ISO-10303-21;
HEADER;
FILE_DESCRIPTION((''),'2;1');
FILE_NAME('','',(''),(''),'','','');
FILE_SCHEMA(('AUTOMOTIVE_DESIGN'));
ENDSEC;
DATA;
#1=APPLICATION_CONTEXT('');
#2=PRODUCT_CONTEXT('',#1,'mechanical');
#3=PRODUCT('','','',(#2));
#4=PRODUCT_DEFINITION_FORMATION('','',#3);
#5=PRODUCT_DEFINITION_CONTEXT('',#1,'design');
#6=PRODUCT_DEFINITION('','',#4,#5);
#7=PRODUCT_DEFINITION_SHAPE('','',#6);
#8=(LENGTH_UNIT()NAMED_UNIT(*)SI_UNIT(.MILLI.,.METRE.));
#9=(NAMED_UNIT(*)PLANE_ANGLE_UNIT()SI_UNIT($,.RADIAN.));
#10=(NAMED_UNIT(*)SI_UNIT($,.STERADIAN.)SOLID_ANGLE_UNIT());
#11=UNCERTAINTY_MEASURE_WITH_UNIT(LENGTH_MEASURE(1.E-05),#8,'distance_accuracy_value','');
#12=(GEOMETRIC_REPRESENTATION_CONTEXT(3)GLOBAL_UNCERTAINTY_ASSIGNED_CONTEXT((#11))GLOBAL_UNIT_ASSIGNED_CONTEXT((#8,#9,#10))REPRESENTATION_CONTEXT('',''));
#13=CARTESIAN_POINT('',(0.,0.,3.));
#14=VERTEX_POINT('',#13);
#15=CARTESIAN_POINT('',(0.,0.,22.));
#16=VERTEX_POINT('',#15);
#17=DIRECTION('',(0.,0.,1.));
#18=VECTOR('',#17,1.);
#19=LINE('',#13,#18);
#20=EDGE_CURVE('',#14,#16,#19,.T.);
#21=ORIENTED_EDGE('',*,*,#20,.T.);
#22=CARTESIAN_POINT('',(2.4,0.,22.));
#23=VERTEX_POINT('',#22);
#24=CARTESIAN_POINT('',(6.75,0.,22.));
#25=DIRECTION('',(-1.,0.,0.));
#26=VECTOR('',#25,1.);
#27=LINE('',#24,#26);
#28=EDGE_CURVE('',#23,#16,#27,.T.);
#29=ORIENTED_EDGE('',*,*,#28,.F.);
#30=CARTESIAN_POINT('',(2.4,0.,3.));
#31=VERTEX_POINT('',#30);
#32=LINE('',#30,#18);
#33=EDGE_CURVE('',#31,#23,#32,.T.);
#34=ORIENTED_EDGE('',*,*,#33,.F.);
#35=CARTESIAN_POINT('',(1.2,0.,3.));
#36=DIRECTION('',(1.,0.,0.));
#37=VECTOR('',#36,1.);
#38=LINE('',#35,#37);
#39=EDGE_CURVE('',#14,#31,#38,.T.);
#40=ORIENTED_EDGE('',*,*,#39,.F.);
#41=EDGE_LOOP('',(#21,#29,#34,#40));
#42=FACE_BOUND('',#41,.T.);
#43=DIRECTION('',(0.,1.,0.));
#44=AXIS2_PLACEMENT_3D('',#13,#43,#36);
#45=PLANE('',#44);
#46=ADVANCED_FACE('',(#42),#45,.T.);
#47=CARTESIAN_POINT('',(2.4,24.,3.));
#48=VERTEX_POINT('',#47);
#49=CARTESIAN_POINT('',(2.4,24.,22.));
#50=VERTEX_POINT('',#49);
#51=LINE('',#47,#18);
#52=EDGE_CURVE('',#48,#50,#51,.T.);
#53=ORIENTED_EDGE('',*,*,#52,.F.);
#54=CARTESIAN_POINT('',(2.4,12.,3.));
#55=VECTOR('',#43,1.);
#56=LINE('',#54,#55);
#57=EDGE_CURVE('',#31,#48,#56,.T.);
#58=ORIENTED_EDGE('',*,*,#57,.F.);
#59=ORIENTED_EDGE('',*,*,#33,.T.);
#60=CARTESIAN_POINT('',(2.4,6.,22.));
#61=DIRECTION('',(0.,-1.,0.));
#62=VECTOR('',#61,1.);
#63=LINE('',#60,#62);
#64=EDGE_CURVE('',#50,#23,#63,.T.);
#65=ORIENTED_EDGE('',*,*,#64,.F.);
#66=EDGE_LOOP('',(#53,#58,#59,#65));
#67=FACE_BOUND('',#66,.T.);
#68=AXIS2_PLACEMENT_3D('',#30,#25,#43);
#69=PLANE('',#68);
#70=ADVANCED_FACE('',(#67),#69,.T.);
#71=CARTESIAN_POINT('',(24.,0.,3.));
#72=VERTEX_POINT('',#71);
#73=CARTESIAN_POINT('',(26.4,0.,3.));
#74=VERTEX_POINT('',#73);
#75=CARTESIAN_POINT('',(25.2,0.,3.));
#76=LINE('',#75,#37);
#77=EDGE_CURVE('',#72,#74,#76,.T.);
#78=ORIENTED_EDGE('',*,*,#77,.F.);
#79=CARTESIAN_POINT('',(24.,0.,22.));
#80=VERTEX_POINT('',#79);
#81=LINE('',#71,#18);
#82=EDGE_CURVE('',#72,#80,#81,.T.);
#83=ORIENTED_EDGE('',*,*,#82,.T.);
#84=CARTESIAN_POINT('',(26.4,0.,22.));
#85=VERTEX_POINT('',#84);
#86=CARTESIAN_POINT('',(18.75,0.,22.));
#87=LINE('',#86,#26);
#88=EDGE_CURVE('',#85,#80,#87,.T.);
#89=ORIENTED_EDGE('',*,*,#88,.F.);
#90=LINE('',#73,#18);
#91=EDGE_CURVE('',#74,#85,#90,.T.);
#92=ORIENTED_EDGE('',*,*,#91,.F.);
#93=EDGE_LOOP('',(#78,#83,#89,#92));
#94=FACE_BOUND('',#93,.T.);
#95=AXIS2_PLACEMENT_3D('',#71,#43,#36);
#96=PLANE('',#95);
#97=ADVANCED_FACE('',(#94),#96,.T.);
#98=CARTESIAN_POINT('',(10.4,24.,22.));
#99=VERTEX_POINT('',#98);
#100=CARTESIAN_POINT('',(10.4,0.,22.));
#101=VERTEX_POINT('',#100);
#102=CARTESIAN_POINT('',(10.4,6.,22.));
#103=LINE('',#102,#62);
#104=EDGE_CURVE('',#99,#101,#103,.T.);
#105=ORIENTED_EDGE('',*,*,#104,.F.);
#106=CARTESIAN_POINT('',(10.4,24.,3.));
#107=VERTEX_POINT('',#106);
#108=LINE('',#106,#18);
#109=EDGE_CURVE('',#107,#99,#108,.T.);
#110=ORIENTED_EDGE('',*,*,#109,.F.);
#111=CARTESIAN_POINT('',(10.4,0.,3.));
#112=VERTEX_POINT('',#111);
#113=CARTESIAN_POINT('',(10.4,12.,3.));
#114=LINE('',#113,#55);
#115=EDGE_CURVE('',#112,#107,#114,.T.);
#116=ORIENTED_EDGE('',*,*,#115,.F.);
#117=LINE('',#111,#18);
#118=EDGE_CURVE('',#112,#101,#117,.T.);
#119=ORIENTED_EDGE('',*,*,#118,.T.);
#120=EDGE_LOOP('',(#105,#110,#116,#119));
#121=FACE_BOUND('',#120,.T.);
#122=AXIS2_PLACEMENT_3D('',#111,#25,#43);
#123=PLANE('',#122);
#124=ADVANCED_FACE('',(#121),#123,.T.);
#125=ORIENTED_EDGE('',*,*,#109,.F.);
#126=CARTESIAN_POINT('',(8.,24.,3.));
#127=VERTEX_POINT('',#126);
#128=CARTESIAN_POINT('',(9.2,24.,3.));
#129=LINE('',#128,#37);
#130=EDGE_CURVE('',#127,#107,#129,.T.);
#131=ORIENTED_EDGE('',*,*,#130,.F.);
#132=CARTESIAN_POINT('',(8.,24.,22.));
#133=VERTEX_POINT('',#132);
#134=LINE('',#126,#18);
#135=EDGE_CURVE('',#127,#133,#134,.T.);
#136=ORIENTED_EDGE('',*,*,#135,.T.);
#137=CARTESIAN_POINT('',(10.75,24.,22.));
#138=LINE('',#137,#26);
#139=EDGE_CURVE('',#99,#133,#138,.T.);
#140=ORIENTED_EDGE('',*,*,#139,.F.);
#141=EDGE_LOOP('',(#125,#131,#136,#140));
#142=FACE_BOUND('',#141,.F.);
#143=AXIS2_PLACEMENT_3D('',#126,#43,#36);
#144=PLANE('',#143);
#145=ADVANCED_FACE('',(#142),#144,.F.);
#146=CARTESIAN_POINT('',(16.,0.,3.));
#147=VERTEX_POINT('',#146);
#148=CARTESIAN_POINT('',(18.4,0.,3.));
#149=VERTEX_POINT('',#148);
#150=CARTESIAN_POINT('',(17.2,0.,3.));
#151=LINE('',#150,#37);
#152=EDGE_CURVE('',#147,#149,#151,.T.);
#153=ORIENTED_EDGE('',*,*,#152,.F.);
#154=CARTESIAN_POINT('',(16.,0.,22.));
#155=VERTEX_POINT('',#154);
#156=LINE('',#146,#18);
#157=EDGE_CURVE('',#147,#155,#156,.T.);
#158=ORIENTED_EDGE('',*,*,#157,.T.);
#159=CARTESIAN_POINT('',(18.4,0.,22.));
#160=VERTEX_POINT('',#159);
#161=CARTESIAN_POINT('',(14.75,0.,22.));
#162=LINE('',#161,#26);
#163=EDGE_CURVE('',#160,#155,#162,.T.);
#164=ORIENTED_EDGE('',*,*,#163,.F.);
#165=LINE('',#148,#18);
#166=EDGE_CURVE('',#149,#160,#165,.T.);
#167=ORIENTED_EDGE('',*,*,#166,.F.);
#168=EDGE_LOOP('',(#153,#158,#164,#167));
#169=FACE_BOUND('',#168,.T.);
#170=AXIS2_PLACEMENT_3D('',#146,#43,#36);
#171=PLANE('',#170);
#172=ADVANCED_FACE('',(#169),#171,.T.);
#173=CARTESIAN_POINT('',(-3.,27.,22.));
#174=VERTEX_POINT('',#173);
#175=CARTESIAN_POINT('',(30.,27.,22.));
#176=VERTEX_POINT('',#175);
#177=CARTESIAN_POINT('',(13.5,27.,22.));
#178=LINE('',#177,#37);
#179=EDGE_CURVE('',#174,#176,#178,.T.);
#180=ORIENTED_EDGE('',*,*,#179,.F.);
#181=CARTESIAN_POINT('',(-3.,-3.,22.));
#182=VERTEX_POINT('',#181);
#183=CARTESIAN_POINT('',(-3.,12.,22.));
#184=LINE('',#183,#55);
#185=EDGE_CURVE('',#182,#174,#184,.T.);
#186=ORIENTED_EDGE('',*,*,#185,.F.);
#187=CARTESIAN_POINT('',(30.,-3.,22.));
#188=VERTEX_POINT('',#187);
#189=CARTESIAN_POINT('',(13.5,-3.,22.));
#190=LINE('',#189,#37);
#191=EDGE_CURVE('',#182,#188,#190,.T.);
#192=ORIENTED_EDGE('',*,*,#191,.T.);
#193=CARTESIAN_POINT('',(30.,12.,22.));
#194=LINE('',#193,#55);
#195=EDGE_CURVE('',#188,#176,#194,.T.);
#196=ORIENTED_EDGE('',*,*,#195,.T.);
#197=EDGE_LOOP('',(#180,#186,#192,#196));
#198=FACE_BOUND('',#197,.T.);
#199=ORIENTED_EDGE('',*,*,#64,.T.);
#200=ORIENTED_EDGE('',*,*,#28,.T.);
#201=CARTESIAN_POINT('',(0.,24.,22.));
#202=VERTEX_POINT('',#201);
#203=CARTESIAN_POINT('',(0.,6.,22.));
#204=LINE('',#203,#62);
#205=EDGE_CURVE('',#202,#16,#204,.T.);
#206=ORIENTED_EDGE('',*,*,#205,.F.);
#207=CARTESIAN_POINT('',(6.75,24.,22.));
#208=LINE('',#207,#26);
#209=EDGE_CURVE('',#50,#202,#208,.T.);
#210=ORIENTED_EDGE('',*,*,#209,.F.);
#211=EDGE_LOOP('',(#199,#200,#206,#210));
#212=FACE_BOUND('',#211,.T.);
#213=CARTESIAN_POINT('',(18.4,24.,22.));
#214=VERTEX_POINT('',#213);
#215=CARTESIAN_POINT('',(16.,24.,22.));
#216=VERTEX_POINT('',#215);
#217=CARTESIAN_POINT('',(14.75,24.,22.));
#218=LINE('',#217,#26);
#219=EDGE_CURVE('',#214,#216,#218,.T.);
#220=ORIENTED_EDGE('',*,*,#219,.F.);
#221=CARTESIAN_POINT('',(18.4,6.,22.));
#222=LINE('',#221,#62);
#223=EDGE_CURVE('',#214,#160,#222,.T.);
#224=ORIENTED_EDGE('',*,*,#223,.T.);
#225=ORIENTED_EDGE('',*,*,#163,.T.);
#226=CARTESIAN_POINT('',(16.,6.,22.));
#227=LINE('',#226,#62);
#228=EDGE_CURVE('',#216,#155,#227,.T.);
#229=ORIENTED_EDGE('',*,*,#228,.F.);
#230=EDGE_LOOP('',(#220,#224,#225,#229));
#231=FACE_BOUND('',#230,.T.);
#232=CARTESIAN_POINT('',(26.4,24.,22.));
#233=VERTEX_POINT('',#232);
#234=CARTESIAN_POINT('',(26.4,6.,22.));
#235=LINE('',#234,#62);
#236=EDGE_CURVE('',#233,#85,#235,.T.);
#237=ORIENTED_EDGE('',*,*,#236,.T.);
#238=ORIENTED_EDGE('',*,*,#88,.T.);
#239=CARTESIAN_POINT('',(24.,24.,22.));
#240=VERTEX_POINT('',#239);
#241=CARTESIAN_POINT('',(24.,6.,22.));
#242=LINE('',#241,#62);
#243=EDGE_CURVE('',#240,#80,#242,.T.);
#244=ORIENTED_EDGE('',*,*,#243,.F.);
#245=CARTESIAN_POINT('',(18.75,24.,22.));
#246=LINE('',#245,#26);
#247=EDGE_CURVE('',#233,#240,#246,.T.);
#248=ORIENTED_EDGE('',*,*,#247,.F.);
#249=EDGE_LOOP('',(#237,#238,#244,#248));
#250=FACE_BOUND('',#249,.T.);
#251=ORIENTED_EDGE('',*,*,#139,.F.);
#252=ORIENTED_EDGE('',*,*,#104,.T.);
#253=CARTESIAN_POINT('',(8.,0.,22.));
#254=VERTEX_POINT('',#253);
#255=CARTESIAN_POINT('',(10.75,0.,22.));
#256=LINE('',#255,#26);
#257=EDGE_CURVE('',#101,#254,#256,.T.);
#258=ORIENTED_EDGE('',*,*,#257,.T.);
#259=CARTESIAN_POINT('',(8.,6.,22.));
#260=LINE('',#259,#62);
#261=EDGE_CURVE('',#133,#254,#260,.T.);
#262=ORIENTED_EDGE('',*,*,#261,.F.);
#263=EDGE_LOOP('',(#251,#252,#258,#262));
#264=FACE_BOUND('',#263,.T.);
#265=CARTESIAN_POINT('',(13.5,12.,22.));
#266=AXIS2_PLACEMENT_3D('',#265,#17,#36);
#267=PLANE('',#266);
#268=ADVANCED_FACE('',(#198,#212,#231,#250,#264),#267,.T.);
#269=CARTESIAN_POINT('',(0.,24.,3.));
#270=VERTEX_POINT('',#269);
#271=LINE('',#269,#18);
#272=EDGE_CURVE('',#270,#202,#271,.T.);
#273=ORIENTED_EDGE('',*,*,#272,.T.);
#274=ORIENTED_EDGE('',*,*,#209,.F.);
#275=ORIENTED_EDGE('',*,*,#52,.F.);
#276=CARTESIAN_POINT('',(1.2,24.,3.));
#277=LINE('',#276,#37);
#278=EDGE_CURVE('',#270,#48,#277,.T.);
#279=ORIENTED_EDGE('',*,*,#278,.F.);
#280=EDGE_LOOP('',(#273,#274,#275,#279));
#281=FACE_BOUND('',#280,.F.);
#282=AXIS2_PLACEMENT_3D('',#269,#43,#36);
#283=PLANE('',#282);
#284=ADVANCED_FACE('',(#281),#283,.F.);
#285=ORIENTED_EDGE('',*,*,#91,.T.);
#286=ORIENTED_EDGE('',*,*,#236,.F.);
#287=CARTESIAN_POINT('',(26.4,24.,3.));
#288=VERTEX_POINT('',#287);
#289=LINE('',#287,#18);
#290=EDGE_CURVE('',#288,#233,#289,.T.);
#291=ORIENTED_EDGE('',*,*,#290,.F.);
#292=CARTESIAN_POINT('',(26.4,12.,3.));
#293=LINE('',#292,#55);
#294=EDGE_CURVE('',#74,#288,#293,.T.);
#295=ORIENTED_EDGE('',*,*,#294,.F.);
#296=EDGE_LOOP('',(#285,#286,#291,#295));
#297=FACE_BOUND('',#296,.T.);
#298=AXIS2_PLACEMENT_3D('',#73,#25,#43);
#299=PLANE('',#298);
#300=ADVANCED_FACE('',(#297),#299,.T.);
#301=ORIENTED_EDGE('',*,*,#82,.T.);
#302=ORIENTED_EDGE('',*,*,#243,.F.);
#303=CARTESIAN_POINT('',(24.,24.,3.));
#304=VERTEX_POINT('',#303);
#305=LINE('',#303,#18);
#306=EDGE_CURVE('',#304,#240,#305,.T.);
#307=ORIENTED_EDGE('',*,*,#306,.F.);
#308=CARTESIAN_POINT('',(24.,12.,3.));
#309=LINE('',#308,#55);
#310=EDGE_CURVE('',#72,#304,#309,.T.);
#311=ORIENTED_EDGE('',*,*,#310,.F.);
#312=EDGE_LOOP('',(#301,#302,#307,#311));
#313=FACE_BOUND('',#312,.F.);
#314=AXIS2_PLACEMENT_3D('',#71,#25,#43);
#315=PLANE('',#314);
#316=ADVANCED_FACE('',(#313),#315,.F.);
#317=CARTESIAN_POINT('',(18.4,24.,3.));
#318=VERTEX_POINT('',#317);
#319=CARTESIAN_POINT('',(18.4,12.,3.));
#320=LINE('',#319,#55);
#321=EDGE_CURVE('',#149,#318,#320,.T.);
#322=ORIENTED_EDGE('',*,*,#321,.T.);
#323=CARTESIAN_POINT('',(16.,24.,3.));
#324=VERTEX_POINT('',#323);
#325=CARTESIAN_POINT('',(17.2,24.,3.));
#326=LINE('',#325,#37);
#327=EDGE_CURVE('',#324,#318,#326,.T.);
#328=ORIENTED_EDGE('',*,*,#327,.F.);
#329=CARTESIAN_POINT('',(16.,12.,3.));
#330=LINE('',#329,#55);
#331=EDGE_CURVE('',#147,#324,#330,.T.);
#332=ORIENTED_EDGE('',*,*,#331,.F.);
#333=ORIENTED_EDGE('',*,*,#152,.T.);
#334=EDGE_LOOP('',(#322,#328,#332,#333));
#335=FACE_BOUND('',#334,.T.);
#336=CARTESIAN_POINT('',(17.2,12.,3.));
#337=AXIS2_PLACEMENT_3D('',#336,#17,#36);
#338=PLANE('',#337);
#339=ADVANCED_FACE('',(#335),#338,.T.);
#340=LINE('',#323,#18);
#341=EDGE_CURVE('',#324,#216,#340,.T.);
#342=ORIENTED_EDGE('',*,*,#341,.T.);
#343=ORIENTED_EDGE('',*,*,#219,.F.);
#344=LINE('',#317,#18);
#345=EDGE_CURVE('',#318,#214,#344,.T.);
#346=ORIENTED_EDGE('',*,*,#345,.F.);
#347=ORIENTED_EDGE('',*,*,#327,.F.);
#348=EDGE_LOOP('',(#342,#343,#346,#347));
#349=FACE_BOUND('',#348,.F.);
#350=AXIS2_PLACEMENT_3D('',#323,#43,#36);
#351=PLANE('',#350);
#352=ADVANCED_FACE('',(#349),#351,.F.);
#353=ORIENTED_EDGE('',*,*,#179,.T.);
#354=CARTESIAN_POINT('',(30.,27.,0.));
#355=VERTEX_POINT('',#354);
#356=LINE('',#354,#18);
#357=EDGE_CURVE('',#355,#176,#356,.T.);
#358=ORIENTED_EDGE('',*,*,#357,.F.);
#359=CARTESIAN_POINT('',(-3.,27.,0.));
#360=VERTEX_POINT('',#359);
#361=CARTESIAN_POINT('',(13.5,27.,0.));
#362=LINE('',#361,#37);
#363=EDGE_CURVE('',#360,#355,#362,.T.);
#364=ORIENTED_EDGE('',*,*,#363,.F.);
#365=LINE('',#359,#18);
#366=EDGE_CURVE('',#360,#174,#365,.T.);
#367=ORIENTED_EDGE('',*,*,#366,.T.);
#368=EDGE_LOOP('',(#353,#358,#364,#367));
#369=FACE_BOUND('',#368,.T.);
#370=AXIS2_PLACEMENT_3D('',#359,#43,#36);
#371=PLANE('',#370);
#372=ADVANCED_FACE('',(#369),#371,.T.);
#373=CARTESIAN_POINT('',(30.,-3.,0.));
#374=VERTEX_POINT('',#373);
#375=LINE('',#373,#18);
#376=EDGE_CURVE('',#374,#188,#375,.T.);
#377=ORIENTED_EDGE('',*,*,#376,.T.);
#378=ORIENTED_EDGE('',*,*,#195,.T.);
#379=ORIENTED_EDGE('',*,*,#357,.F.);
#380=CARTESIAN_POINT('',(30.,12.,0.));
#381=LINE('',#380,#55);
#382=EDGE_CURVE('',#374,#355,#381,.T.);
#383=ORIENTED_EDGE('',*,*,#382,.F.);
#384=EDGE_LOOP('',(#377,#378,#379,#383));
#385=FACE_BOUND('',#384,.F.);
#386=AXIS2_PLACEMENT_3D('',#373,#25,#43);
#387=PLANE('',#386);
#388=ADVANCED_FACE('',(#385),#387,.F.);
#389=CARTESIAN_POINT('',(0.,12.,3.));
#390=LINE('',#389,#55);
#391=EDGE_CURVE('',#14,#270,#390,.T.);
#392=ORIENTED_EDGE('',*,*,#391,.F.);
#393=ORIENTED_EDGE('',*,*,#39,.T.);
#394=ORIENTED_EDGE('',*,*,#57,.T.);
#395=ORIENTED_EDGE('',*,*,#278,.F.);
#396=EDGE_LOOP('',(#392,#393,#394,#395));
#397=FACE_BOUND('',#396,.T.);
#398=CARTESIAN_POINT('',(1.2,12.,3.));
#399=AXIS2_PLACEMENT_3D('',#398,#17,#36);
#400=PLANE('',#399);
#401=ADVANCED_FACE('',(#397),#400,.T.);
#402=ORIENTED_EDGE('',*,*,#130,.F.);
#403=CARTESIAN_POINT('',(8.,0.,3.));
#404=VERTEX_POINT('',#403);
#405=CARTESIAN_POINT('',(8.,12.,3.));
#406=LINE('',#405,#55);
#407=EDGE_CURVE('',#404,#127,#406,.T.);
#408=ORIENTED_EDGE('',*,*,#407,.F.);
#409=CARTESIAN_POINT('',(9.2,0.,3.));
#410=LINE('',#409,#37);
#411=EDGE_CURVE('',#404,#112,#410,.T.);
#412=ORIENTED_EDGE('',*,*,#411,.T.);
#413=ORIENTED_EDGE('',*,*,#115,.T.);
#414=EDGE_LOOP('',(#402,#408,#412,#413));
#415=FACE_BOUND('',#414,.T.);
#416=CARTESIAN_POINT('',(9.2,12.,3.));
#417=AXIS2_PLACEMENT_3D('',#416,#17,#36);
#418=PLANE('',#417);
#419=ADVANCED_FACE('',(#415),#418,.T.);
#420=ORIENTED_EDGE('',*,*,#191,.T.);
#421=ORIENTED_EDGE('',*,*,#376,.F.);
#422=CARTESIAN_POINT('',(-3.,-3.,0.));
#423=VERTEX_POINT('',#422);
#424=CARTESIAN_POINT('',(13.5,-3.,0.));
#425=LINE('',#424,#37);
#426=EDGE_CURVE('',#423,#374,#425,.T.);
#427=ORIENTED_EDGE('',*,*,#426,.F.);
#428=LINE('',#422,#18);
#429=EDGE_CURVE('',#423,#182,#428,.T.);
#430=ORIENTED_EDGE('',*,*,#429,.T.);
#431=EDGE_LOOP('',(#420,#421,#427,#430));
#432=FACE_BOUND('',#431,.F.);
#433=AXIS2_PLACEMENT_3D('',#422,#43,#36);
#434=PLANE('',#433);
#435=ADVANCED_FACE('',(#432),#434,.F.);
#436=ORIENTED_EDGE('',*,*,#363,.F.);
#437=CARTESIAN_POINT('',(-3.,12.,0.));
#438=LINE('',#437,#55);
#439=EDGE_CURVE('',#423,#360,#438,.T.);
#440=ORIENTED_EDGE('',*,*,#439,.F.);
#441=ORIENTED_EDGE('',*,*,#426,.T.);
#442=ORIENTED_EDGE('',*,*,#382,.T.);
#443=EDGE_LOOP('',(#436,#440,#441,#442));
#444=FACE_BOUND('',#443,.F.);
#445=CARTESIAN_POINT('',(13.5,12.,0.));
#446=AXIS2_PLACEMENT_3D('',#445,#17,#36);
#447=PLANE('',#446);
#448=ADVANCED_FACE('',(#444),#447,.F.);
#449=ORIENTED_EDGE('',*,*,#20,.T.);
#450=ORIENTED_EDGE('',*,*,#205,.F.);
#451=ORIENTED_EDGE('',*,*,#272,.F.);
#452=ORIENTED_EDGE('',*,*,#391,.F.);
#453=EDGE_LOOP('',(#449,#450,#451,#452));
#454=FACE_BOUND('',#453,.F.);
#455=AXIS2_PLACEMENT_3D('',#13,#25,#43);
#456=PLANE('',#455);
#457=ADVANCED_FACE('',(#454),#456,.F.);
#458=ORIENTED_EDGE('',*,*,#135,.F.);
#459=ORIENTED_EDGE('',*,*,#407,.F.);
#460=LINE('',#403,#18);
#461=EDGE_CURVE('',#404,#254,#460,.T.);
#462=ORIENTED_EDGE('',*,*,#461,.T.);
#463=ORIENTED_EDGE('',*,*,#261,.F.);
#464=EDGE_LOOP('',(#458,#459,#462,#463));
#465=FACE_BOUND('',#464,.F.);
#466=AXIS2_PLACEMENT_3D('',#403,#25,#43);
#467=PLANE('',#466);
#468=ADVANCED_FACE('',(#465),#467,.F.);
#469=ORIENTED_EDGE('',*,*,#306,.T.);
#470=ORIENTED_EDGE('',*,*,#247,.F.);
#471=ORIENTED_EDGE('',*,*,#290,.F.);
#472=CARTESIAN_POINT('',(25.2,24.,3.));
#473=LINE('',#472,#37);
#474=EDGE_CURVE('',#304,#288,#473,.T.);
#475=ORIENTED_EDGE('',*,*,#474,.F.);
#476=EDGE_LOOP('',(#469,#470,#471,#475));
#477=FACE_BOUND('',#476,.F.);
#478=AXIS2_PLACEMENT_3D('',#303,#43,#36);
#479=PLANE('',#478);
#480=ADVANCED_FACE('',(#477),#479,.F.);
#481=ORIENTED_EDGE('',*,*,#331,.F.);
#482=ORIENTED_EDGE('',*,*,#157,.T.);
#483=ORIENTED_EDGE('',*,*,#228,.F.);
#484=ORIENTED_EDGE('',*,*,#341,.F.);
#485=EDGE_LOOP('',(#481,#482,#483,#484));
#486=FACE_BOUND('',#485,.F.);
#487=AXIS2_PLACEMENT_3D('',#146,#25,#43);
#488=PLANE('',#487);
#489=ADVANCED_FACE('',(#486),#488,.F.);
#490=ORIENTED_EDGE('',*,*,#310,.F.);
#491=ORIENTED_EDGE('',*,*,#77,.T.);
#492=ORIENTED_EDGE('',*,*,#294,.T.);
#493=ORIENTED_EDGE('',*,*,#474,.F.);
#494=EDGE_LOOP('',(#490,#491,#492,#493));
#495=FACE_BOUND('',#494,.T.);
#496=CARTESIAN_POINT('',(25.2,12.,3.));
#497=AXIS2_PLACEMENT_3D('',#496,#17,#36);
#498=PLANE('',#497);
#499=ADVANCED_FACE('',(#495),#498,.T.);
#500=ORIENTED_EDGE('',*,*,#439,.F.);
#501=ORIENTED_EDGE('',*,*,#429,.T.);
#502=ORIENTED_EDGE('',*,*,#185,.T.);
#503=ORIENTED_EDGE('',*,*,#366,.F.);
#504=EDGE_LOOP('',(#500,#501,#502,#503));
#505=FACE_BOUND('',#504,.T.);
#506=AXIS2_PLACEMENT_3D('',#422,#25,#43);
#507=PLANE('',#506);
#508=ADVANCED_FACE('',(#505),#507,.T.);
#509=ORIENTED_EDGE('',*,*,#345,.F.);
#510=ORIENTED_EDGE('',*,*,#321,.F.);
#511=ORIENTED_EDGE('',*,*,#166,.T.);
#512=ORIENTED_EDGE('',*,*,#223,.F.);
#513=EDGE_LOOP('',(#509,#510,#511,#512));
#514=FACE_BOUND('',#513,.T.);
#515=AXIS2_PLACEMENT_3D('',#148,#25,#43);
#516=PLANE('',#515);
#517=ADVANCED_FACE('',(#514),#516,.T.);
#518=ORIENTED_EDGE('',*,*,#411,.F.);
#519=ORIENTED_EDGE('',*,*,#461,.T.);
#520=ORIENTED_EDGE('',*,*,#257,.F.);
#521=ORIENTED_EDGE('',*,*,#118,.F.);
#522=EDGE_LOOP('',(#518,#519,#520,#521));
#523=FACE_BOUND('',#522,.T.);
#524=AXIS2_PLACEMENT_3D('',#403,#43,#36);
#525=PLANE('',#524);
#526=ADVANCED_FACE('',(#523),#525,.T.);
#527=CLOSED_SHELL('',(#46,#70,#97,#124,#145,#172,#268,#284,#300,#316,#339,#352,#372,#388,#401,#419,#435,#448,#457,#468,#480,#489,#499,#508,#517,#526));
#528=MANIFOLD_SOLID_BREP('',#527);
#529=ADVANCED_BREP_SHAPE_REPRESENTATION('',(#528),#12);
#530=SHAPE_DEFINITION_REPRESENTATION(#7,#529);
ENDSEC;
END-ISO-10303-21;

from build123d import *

# Parameters (mm, degrees)
BOX001_W     = 2.4
BOX001_H     = 24
BOX001_DEPTH = 22
BOX002_W     = 2.4
BOX002_H     = 24
BOX002_DEPTH = 22
BOX003_W     = 2.4
BOX003_H     = 24
BOX003_DEPTH = 22
BOX_W        = 2.4
BOX_H        = 24
BOX_DEPTH    = 22
BOX004_W     = 33
BOX004_H     = 30
BOX004_DEPTH = 22


with BuildPart() as box001:
    # Box001 → Box001 (new body)
    with BuildSketch(Plane(origin=(8, 0, 0), x_dir=(1, 0, 0), z_dir=(0, 0, 1))):
        with Locations((1.2, 12)):
            Rectangle(BOX001_W, BOX001_H)
    extrude(amount=BOX001_DEPTH)


with BuildPart() as box002:
    # Box002 → Box002 (new body)
    with BuildSketch(Plane(origin=(16, 0, 0), x_dir=(1, 0, 0), z_dir=(0, 0, 1))):
        with Locations((1.2, 12)):
            Rectangle(BOX002_W, BOX002_H)
    extrude(amount=BOX002_DEPTH)


with BuildPart() as box003:
    # Box003 → Box003 (new body)
    with BuildSketch(Plane(origin=(24, 0, 0), x_dir=(1, 0, 0), z_dir=(0, 0, 1))):
        with Locations((1.2, 12)):
            Rectangle(BOX003_W, BOX003_H)
    extrude(amount=BOX003_DEPTH)


with BuildPart() as ranuras:
    # Box → Box (new body)
    with BuildSketch(Plane.XY):
        with Locations((1.2, 12)):
            Rectangle(BOX_W, BOX_H)
    extrude(amount=BOX_DEPTH)

    # Fusion: union Box001, Box002, Box003
    add(box001.part)
    add(box002.part)
    add(box003.part)


with BuildPart() as ranuras_1:
    # Fusion placement: moved
    add(ranuras.part.moved(Location((0, 0, 3))))


with BuildPart() as porta_sds:
    # Box004 → Box004 (new body)
    with BuildSketch(Plane(origin=(-3, -3, 0), x_dir=(1, 0, 0), z_dir=(0, 0, 1))):
        with Locations((16.5, 15)):
            Rectangle(BOX004_W, BOX004_H)
    extrude(amount=BOX004_DEPTH)

    # Cut: cut Ranuras
    add(ranuras_1.part, mode=Mode.SUBTRACT)


solid = porta_sds.part
